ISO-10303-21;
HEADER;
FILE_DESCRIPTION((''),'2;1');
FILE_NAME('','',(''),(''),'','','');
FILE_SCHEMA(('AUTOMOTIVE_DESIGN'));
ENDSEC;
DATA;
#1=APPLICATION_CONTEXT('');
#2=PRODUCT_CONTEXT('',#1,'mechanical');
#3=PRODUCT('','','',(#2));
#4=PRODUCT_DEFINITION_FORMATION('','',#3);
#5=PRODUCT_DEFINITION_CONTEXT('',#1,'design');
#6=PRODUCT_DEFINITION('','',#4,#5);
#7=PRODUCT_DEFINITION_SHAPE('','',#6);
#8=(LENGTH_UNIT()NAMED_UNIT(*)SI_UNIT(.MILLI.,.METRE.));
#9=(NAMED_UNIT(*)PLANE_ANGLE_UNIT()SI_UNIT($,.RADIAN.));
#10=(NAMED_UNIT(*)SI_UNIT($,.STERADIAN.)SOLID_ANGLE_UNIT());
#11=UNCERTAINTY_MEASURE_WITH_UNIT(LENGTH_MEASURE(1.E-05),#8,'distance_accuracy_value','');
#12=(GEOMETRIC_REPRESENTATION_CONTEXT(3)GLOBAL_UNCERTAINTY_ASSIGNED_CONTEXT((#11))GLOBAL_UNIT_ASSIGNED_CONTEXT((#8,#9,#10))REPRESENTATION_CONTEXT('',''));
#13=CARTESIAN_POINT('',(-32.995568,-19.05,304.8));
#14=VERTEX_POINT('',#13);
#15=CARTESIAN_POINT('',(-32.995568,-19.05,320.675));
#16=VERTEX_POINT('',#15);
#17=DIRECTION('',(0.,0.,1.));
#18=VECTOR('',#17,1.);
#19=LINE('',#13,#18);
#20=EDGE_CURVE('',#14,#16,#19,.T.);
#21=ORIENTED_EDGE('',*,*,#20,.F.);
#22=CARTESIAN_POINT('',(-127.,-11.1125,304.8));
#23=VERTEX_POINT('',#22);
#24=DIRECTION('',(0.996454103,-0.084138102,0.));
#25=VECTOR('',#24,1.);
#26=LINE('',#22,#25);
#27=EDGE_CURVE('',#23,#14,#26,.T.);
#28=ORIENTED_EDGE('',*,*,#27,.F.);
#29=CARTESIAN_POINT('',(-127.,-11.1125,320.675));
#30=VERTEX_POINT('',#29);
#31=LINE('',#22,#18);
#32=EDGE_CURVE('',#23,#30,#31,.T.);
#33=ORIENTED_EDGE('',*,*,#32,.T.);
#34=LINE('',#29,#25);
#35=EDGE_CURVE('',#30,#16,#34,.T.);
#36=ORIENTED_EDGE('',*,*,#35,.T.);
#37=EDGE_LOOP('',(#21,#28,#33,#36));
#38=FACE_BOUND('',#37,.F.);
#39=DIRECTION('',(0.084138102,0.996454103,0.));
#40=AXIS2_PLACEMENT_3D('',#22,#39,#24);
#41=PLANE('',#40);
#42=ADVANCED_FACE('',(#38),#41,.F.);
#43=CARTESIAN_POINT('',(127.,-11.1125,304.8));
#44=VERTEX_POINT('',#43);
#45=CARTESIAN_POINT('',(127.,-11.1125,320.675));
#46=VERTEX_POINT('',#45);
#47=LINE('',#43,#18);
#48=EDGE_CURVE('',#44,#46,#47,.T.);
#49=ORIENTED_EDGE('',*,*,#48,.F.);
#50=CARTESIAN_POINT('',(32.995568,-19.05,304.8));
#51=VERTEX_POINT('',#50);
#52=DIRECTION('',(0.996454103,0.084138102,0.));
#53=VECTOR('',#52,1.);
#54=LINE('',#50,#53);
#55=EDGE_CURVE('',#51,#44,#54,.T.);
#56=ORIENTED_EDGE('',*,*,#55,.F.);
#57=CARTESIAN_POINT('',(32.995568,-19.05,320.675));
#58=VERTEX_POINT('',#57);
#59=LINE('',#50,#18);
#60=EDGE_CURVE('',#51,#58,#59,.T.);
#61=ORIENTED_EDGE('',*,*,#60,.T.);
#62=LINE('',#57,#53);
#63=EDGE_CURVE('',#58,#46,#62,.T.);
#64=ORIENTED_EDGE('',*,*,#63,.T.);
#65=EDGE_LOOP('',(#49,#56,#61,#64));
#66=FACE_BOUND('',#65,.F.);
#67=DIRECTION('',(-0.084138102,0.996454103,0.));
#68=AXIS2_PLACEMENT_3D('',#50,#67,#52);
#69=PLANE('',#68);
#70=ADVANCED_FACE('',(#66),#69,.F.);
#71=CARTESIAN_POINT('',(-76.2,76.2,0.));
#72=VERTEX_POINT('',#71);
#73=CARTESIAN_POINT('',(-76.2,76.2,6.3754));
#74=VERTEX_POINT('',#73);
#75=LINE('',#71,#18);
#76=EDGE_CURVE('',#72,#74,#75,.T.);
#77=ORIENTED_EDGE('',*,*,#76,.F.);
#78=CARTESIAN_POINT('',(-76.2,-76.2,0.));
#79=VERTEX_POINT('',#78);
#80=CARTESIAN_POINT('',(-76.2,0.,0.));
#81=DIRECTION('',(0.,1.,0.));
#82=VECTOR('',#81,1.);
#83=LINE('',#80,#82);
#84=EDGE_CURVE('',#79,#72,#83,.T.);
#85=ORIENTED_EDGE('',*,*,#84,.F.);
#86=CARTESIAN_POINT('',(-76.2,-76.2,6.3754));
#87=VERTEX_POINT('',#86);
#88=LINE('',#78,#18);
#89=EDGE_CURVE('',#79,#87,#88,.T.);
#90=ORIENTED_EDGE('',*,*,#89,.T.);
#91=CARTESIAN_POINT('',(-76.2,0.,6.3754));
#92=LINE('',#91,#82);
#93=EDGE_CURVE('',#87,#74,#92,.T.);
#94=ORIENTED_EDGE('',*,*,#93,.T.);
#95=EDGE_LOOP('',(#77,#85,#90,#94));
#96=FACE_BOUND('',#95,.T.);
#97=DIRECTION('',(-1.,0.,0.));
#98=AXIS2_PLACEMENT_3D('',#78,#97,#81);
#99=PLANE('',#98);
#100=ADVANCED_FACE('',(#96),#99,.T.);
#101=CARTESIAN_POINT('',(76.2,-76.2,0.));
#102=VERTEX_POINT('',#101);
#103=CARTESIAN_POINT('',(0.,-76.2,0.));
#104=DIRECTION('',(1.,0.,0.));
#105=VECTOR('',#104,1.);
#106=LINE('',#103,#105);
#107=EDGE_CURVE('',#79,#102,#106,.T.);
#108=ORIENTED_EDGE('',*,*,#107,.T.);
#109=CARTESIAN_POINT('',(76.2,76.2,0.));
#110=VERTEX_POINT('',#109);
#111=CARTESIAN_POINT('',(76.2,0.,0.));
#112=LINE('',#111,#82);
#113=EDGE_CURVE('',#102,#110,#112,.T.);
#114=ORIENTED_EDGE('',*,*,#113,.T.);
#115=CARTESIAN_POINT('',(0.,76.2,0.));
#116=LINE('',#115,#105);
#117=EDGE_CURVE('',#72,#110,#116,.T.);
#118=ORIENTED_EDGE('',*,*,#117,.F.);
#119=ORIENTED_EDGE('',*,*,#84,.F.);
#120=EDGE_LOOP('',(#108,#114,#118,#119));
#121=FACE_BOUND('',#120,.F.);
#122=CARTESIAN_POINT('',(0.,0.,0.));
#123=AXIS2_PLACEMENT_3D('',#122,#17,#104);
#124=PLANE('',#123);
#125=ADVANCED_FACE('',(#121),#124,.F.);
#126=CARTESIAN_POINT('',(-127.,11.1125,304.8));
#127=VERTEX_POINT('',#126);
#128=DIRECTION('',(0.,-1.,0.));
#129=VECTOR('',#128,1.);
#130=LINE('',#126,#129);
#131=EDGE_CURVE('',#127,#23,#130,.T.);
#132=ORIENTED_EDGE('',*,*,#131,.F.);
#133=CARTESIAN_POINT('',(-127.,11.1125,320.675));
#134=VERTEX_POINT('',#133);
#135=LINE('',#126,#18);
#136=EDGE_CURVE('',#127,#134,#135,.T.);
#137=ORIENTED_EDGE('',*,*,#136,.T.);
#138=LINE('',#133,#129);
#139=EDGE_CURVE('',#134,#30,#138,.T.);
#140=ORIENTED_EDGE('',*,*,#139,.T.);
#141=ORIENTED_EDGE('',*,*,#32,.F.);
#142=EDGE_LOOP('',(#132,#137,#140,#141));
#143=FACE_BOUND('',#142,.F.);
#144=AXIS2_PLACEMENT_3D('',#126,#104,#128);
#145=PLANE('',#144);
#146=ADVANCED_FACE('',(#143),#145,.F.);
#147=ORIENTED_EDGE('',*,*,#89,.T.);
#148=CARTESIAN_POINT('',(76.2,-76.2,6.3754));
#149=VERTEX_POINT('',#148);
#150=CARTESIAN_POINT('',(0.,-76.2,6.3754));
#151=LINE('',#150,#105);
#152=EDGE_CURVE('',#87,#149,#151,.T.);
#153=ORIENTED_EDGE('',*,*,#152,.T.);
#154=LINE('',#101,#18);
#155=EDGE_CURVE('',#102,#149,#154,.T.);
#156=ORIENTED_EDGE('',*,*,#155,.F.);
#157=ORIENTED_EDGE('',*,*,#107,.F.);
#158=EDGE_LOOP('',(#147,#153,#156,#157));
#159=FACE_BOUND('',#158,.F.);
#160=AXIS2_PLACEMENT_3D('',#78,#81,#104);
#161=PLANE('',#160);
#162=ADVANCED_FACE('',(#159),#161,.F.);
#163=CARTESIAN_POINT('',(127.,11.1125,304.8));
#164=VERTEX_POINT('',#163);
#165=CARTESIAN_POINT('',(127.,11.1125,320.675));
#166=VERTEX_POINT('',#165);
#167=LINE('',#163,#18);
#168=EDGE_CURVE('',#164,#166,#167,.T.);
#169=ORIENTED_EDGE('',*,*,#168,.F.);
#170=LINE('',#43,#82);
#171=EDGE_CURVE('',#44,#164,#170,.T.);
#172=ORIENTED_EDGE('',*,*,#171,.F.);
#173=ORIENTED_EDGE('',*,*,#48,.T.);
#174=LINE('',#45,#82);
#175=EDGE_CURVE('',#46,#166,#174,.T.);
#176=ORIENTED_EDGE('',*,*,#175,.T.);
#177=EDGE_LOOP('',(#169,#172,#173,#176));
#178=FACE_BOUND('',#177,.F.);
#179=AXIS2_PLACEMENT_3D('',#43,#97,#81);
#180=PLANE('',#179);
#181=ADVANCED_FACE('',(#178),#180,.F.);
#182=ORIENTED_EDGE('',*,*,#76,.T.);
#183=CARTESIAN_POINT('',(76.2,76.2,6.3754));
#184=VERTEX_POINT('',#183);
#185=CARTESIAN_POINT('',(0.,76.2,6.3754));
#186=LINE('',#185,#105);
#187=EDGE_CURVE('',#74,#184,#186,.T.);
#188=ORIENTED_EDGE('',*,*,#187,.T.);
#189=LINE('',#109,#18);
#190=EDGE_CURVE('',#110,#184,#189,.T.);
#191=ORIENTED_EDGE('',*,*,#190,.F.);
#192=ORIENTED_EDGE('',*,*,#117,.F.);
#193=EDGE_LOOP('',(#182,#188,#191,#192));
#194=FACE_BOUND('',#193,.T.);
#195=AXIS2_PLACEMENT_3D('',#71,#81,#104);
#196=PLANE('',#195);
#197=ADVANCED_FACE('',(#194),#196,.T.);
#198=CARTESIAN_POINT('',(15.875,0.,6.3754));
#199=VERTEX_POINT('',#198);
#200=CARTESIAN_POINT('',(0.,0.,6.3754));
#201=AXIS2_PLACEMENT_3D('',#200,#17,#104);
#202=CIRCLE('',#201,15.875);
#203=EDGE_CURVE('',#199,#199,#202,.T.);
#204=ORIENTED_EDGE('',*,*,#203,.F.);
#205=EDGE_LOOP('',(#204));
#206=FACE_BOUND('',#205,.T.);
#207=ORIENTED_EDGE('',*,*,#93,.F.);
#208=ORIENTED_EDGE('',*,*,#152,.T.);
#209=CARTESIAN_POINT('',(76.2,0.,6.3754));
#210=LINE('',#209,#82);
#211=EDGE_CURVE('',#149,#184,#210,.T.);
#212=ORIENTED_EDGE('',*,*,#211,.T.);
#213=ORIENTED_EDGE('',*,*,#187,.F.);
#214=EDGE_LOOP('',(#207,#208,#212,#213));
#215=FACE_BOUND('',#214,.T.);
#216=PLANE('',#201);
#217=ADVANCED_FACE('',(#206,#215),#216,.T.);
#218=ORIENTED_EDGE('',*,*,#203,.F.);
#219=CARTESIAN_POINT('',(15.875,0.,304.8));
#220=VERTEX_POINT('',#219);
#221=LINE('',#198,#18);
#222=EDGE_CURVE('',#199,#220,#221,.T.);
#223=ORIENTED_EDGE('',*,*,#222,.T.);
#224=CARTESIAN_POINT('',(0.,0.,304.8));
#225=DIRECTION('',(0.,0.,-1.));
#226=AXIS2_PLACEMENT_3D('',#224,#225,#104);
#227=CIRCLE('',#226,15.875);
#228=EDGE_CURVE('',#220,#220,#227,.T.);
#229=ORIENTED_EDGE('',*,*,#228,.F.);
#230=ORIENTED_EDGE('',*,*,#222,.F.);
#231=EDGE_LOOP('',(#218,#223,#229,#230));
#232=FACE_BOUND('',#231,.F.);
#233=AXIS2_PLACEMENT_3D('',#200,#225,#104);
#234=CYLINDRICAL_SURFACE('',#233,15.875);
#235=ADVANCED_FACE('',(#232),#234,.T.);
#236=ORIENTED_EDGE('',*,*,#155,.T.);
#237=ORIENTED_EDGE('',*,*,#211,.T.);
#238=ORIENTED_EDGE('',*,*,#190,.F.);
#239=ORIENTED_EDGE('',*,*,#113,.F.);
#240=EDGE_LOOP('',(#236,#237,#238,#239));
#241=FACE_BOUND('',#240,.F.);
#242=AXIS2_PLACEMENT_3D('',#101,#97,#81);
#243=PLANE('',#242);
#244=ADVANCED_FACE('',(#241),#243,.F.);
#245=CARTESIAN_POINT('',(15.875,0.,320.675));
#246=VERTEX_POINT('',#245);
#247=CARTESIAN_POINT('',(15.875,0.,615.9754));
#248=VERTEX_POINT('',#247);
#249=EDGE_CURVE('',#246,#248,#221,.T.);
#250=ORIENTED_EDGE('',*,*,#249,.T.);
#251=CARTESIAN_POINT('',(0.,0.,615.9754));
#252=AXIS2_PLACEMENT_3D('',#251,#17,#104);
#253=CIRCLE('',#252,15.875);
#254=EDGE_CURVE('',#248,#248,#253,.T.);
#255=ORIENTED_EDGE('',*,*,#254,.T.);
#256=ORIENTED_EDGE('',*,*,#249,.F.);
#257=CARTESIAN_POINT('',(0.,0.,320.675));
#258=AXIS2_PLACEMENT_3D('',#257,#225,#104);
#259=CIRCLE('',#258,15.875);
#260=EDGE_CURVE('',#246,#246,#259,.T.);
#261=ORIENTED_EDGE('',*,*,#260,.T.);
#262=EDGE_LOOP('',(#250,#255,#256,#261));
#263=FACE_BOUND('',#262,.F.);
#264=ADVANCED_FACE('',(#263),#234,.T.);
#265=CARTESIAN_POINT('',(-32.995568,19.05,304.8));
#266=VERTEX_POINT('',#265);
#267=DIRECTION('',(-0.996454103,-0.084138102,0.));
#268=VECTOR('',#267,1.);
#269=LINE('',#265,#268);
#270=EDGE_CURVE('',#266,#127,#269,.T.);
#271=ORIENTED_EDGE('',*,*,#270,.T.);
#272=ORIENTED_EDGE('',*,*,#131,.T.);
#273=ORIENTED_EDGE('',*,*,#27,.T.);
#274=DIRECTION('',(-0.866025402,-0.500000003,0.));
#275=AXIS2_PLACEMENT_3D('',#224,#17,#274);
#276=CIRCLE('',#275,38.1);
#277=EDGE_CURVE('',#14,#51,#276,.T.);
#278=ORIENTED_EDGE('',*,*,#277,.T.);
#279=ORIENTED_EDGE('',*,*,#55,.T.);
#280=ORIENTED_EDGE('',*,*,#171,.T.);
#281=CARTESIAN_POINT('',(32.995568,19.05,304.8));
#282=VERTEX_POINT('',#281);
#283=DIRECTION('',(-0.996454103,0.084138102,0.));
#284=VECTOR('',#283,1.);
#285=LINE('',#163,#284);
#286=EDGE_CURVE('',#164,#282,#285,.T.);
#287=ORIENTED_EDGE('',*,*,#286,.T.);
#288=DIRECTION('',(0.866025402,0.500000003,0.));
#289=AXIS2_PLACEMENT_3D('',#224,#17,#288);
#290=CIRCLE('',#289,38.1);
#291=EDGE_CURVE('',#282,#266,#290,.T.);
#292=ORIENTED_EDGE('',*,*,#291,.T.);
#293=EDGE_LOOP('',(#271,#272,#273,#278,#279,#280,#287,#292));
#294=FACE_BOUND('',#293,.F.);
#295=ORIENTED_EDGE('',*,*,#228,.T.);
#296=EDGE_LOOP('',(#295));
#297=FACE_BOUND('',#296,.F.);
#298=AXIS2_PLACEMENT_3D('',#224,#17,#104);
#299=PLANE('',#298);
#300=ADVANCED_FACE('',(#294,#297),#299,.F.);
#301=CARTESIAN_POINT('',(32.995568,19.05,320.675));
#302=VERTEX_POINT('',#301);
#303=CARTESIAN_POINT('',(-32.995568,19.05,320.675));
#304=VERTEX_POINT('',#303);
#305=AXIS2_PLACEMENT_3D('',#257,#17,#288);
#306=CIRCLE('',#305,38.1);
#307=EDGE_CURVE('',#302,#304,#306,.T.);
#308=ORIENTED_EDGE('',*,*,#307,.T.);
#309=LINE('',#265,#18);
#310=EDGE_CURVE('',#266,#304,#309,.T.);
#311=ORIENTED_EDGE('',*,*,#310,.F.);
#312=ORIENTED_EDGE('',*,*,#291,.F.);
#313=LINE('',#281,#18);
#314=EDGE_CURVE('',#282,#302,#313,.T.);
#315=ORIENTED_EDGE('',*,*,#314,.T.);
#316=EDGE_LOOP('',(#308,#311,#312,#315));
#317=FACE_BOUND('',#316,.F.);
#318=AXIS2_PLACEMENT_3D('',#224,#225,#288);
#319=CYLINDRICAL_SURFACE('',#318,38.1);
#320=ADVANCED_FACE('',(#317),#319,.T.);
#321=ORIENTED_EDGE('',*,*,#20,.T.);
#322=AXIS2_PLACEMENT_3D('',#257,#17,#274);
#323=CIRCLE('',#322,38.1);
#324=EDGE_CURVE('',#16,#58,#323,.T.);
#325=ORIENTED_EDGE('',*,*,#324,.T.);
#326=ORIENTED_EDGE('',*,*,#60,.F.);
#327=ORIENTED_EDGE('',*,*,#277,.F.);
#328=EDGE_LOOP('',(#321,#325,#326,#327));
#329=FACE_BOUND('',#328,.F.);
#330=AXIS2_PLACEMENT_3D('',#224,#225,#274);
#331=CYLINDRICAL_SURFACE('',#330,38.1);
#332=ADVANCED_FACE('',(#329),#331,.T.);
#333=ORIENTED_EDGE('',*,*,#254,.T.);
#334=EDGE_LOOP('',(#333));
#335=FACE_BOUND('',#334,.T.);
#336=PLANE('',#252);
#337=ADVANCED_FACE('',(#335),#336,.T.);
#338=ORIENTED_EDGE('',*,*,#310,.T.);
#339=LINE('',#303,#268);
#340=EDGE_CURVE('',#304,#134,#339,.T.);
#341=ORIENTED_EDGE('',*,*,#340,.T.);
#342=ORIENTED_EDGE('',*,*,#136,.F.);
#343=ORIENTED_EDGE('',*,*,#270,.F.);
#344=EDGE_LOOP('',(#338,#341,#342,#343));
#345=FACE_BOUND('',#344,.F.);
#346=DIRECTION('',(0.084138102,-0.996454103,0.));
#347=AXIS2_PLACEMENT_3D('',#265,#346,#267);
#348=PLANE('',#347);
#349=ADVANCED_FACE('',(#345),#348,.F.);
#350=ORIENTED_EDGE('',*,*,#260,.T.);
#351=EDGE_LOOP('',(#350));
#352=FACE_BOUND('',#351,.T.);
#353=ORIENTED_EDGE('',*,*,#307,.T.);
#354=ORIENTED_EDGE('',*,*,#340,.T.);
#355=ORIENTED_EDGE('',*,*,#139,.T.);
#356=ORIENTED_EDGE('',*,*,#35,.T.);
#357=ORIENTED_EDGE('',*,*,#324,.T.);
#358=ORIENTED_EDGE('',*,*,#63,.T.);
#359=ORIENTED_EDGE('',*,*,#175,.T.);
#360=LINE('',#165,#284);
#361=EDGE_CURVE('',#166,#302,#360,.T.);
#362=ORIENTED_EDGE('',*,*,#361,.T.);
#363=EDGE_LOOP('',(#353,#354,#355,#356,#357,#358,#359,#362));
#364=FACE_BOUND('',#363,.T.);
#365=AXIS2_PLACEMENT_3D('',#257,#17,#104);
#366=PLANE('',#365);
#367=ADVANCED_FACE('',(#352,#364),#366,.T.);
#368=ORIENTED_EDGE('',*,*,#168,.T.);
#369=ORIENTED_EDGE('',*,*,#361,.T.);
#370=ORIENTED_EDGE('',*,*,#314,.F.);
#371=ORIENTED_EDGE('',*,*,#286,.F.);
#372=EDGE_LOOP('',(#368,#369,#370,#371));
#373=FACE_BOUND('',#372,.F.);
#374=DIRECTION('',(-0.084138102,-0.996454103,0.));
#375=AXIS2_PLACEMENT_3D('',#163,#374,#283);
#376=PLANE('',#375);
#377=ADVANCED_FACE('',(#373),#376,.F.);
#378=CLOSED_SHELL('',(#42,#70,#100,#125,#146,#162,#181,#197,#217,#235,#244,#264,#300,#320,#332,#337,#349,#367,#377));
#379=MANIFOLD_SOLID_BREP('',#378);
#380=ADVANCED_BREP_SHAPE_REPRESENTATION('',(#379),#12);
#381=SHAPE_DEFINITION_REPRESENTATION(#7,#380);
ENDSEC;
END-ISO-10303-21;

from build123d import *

# Parameters (mm, degrees)
F0_W     = 152.4
F0_H     = 152.4
F1_DEPTH = 6.3754
F2_R     = 15.875
F3_DEPTH = 609.6
F6_DEPTH = 15.875


with BuildPart() as f1:
    # F0 (on Top) → F1 (new body)
    with BuildSketch(Plane.XY):
        Rectangle(F0_W, F0_H)
    extrude(amount=F1_DEPTH)

    # F2 (on face) → F3 (join)
    with BuildSketch(Plane.XY.offset(6.3754)):
        Circle(F2_R)
    extrude(amount=F3_DEPTH)

    # F5 (on offset) → F6 (join)
    with BuildSketch(Plane.XY.offset(304.8)):
        with BuildLine():
            Line((127, 11.1125), (32.995568, 19.05))
            ThreePointArc((32.995568, 19.05), (0, 38.1), (-32.995568, 19.05))
            Line((-32.995568, 19.05), (-127, 11.1125))
            Line((-127, 11.1125), (-127, -11.1125))
            Line((-127, -11.1125), (-32.995568, -19.05))
            ThreePointArc((-32.995568, -19.05), (0, -38.1), (32.995568, -19.05))
            Line((32.995568, -19.05), (127, -11.1125))
            Line((127, -11.1125), (127, 11.1125))
        make_face()
    extrude(amount=F6_DEPTH)


solid = f1.part
